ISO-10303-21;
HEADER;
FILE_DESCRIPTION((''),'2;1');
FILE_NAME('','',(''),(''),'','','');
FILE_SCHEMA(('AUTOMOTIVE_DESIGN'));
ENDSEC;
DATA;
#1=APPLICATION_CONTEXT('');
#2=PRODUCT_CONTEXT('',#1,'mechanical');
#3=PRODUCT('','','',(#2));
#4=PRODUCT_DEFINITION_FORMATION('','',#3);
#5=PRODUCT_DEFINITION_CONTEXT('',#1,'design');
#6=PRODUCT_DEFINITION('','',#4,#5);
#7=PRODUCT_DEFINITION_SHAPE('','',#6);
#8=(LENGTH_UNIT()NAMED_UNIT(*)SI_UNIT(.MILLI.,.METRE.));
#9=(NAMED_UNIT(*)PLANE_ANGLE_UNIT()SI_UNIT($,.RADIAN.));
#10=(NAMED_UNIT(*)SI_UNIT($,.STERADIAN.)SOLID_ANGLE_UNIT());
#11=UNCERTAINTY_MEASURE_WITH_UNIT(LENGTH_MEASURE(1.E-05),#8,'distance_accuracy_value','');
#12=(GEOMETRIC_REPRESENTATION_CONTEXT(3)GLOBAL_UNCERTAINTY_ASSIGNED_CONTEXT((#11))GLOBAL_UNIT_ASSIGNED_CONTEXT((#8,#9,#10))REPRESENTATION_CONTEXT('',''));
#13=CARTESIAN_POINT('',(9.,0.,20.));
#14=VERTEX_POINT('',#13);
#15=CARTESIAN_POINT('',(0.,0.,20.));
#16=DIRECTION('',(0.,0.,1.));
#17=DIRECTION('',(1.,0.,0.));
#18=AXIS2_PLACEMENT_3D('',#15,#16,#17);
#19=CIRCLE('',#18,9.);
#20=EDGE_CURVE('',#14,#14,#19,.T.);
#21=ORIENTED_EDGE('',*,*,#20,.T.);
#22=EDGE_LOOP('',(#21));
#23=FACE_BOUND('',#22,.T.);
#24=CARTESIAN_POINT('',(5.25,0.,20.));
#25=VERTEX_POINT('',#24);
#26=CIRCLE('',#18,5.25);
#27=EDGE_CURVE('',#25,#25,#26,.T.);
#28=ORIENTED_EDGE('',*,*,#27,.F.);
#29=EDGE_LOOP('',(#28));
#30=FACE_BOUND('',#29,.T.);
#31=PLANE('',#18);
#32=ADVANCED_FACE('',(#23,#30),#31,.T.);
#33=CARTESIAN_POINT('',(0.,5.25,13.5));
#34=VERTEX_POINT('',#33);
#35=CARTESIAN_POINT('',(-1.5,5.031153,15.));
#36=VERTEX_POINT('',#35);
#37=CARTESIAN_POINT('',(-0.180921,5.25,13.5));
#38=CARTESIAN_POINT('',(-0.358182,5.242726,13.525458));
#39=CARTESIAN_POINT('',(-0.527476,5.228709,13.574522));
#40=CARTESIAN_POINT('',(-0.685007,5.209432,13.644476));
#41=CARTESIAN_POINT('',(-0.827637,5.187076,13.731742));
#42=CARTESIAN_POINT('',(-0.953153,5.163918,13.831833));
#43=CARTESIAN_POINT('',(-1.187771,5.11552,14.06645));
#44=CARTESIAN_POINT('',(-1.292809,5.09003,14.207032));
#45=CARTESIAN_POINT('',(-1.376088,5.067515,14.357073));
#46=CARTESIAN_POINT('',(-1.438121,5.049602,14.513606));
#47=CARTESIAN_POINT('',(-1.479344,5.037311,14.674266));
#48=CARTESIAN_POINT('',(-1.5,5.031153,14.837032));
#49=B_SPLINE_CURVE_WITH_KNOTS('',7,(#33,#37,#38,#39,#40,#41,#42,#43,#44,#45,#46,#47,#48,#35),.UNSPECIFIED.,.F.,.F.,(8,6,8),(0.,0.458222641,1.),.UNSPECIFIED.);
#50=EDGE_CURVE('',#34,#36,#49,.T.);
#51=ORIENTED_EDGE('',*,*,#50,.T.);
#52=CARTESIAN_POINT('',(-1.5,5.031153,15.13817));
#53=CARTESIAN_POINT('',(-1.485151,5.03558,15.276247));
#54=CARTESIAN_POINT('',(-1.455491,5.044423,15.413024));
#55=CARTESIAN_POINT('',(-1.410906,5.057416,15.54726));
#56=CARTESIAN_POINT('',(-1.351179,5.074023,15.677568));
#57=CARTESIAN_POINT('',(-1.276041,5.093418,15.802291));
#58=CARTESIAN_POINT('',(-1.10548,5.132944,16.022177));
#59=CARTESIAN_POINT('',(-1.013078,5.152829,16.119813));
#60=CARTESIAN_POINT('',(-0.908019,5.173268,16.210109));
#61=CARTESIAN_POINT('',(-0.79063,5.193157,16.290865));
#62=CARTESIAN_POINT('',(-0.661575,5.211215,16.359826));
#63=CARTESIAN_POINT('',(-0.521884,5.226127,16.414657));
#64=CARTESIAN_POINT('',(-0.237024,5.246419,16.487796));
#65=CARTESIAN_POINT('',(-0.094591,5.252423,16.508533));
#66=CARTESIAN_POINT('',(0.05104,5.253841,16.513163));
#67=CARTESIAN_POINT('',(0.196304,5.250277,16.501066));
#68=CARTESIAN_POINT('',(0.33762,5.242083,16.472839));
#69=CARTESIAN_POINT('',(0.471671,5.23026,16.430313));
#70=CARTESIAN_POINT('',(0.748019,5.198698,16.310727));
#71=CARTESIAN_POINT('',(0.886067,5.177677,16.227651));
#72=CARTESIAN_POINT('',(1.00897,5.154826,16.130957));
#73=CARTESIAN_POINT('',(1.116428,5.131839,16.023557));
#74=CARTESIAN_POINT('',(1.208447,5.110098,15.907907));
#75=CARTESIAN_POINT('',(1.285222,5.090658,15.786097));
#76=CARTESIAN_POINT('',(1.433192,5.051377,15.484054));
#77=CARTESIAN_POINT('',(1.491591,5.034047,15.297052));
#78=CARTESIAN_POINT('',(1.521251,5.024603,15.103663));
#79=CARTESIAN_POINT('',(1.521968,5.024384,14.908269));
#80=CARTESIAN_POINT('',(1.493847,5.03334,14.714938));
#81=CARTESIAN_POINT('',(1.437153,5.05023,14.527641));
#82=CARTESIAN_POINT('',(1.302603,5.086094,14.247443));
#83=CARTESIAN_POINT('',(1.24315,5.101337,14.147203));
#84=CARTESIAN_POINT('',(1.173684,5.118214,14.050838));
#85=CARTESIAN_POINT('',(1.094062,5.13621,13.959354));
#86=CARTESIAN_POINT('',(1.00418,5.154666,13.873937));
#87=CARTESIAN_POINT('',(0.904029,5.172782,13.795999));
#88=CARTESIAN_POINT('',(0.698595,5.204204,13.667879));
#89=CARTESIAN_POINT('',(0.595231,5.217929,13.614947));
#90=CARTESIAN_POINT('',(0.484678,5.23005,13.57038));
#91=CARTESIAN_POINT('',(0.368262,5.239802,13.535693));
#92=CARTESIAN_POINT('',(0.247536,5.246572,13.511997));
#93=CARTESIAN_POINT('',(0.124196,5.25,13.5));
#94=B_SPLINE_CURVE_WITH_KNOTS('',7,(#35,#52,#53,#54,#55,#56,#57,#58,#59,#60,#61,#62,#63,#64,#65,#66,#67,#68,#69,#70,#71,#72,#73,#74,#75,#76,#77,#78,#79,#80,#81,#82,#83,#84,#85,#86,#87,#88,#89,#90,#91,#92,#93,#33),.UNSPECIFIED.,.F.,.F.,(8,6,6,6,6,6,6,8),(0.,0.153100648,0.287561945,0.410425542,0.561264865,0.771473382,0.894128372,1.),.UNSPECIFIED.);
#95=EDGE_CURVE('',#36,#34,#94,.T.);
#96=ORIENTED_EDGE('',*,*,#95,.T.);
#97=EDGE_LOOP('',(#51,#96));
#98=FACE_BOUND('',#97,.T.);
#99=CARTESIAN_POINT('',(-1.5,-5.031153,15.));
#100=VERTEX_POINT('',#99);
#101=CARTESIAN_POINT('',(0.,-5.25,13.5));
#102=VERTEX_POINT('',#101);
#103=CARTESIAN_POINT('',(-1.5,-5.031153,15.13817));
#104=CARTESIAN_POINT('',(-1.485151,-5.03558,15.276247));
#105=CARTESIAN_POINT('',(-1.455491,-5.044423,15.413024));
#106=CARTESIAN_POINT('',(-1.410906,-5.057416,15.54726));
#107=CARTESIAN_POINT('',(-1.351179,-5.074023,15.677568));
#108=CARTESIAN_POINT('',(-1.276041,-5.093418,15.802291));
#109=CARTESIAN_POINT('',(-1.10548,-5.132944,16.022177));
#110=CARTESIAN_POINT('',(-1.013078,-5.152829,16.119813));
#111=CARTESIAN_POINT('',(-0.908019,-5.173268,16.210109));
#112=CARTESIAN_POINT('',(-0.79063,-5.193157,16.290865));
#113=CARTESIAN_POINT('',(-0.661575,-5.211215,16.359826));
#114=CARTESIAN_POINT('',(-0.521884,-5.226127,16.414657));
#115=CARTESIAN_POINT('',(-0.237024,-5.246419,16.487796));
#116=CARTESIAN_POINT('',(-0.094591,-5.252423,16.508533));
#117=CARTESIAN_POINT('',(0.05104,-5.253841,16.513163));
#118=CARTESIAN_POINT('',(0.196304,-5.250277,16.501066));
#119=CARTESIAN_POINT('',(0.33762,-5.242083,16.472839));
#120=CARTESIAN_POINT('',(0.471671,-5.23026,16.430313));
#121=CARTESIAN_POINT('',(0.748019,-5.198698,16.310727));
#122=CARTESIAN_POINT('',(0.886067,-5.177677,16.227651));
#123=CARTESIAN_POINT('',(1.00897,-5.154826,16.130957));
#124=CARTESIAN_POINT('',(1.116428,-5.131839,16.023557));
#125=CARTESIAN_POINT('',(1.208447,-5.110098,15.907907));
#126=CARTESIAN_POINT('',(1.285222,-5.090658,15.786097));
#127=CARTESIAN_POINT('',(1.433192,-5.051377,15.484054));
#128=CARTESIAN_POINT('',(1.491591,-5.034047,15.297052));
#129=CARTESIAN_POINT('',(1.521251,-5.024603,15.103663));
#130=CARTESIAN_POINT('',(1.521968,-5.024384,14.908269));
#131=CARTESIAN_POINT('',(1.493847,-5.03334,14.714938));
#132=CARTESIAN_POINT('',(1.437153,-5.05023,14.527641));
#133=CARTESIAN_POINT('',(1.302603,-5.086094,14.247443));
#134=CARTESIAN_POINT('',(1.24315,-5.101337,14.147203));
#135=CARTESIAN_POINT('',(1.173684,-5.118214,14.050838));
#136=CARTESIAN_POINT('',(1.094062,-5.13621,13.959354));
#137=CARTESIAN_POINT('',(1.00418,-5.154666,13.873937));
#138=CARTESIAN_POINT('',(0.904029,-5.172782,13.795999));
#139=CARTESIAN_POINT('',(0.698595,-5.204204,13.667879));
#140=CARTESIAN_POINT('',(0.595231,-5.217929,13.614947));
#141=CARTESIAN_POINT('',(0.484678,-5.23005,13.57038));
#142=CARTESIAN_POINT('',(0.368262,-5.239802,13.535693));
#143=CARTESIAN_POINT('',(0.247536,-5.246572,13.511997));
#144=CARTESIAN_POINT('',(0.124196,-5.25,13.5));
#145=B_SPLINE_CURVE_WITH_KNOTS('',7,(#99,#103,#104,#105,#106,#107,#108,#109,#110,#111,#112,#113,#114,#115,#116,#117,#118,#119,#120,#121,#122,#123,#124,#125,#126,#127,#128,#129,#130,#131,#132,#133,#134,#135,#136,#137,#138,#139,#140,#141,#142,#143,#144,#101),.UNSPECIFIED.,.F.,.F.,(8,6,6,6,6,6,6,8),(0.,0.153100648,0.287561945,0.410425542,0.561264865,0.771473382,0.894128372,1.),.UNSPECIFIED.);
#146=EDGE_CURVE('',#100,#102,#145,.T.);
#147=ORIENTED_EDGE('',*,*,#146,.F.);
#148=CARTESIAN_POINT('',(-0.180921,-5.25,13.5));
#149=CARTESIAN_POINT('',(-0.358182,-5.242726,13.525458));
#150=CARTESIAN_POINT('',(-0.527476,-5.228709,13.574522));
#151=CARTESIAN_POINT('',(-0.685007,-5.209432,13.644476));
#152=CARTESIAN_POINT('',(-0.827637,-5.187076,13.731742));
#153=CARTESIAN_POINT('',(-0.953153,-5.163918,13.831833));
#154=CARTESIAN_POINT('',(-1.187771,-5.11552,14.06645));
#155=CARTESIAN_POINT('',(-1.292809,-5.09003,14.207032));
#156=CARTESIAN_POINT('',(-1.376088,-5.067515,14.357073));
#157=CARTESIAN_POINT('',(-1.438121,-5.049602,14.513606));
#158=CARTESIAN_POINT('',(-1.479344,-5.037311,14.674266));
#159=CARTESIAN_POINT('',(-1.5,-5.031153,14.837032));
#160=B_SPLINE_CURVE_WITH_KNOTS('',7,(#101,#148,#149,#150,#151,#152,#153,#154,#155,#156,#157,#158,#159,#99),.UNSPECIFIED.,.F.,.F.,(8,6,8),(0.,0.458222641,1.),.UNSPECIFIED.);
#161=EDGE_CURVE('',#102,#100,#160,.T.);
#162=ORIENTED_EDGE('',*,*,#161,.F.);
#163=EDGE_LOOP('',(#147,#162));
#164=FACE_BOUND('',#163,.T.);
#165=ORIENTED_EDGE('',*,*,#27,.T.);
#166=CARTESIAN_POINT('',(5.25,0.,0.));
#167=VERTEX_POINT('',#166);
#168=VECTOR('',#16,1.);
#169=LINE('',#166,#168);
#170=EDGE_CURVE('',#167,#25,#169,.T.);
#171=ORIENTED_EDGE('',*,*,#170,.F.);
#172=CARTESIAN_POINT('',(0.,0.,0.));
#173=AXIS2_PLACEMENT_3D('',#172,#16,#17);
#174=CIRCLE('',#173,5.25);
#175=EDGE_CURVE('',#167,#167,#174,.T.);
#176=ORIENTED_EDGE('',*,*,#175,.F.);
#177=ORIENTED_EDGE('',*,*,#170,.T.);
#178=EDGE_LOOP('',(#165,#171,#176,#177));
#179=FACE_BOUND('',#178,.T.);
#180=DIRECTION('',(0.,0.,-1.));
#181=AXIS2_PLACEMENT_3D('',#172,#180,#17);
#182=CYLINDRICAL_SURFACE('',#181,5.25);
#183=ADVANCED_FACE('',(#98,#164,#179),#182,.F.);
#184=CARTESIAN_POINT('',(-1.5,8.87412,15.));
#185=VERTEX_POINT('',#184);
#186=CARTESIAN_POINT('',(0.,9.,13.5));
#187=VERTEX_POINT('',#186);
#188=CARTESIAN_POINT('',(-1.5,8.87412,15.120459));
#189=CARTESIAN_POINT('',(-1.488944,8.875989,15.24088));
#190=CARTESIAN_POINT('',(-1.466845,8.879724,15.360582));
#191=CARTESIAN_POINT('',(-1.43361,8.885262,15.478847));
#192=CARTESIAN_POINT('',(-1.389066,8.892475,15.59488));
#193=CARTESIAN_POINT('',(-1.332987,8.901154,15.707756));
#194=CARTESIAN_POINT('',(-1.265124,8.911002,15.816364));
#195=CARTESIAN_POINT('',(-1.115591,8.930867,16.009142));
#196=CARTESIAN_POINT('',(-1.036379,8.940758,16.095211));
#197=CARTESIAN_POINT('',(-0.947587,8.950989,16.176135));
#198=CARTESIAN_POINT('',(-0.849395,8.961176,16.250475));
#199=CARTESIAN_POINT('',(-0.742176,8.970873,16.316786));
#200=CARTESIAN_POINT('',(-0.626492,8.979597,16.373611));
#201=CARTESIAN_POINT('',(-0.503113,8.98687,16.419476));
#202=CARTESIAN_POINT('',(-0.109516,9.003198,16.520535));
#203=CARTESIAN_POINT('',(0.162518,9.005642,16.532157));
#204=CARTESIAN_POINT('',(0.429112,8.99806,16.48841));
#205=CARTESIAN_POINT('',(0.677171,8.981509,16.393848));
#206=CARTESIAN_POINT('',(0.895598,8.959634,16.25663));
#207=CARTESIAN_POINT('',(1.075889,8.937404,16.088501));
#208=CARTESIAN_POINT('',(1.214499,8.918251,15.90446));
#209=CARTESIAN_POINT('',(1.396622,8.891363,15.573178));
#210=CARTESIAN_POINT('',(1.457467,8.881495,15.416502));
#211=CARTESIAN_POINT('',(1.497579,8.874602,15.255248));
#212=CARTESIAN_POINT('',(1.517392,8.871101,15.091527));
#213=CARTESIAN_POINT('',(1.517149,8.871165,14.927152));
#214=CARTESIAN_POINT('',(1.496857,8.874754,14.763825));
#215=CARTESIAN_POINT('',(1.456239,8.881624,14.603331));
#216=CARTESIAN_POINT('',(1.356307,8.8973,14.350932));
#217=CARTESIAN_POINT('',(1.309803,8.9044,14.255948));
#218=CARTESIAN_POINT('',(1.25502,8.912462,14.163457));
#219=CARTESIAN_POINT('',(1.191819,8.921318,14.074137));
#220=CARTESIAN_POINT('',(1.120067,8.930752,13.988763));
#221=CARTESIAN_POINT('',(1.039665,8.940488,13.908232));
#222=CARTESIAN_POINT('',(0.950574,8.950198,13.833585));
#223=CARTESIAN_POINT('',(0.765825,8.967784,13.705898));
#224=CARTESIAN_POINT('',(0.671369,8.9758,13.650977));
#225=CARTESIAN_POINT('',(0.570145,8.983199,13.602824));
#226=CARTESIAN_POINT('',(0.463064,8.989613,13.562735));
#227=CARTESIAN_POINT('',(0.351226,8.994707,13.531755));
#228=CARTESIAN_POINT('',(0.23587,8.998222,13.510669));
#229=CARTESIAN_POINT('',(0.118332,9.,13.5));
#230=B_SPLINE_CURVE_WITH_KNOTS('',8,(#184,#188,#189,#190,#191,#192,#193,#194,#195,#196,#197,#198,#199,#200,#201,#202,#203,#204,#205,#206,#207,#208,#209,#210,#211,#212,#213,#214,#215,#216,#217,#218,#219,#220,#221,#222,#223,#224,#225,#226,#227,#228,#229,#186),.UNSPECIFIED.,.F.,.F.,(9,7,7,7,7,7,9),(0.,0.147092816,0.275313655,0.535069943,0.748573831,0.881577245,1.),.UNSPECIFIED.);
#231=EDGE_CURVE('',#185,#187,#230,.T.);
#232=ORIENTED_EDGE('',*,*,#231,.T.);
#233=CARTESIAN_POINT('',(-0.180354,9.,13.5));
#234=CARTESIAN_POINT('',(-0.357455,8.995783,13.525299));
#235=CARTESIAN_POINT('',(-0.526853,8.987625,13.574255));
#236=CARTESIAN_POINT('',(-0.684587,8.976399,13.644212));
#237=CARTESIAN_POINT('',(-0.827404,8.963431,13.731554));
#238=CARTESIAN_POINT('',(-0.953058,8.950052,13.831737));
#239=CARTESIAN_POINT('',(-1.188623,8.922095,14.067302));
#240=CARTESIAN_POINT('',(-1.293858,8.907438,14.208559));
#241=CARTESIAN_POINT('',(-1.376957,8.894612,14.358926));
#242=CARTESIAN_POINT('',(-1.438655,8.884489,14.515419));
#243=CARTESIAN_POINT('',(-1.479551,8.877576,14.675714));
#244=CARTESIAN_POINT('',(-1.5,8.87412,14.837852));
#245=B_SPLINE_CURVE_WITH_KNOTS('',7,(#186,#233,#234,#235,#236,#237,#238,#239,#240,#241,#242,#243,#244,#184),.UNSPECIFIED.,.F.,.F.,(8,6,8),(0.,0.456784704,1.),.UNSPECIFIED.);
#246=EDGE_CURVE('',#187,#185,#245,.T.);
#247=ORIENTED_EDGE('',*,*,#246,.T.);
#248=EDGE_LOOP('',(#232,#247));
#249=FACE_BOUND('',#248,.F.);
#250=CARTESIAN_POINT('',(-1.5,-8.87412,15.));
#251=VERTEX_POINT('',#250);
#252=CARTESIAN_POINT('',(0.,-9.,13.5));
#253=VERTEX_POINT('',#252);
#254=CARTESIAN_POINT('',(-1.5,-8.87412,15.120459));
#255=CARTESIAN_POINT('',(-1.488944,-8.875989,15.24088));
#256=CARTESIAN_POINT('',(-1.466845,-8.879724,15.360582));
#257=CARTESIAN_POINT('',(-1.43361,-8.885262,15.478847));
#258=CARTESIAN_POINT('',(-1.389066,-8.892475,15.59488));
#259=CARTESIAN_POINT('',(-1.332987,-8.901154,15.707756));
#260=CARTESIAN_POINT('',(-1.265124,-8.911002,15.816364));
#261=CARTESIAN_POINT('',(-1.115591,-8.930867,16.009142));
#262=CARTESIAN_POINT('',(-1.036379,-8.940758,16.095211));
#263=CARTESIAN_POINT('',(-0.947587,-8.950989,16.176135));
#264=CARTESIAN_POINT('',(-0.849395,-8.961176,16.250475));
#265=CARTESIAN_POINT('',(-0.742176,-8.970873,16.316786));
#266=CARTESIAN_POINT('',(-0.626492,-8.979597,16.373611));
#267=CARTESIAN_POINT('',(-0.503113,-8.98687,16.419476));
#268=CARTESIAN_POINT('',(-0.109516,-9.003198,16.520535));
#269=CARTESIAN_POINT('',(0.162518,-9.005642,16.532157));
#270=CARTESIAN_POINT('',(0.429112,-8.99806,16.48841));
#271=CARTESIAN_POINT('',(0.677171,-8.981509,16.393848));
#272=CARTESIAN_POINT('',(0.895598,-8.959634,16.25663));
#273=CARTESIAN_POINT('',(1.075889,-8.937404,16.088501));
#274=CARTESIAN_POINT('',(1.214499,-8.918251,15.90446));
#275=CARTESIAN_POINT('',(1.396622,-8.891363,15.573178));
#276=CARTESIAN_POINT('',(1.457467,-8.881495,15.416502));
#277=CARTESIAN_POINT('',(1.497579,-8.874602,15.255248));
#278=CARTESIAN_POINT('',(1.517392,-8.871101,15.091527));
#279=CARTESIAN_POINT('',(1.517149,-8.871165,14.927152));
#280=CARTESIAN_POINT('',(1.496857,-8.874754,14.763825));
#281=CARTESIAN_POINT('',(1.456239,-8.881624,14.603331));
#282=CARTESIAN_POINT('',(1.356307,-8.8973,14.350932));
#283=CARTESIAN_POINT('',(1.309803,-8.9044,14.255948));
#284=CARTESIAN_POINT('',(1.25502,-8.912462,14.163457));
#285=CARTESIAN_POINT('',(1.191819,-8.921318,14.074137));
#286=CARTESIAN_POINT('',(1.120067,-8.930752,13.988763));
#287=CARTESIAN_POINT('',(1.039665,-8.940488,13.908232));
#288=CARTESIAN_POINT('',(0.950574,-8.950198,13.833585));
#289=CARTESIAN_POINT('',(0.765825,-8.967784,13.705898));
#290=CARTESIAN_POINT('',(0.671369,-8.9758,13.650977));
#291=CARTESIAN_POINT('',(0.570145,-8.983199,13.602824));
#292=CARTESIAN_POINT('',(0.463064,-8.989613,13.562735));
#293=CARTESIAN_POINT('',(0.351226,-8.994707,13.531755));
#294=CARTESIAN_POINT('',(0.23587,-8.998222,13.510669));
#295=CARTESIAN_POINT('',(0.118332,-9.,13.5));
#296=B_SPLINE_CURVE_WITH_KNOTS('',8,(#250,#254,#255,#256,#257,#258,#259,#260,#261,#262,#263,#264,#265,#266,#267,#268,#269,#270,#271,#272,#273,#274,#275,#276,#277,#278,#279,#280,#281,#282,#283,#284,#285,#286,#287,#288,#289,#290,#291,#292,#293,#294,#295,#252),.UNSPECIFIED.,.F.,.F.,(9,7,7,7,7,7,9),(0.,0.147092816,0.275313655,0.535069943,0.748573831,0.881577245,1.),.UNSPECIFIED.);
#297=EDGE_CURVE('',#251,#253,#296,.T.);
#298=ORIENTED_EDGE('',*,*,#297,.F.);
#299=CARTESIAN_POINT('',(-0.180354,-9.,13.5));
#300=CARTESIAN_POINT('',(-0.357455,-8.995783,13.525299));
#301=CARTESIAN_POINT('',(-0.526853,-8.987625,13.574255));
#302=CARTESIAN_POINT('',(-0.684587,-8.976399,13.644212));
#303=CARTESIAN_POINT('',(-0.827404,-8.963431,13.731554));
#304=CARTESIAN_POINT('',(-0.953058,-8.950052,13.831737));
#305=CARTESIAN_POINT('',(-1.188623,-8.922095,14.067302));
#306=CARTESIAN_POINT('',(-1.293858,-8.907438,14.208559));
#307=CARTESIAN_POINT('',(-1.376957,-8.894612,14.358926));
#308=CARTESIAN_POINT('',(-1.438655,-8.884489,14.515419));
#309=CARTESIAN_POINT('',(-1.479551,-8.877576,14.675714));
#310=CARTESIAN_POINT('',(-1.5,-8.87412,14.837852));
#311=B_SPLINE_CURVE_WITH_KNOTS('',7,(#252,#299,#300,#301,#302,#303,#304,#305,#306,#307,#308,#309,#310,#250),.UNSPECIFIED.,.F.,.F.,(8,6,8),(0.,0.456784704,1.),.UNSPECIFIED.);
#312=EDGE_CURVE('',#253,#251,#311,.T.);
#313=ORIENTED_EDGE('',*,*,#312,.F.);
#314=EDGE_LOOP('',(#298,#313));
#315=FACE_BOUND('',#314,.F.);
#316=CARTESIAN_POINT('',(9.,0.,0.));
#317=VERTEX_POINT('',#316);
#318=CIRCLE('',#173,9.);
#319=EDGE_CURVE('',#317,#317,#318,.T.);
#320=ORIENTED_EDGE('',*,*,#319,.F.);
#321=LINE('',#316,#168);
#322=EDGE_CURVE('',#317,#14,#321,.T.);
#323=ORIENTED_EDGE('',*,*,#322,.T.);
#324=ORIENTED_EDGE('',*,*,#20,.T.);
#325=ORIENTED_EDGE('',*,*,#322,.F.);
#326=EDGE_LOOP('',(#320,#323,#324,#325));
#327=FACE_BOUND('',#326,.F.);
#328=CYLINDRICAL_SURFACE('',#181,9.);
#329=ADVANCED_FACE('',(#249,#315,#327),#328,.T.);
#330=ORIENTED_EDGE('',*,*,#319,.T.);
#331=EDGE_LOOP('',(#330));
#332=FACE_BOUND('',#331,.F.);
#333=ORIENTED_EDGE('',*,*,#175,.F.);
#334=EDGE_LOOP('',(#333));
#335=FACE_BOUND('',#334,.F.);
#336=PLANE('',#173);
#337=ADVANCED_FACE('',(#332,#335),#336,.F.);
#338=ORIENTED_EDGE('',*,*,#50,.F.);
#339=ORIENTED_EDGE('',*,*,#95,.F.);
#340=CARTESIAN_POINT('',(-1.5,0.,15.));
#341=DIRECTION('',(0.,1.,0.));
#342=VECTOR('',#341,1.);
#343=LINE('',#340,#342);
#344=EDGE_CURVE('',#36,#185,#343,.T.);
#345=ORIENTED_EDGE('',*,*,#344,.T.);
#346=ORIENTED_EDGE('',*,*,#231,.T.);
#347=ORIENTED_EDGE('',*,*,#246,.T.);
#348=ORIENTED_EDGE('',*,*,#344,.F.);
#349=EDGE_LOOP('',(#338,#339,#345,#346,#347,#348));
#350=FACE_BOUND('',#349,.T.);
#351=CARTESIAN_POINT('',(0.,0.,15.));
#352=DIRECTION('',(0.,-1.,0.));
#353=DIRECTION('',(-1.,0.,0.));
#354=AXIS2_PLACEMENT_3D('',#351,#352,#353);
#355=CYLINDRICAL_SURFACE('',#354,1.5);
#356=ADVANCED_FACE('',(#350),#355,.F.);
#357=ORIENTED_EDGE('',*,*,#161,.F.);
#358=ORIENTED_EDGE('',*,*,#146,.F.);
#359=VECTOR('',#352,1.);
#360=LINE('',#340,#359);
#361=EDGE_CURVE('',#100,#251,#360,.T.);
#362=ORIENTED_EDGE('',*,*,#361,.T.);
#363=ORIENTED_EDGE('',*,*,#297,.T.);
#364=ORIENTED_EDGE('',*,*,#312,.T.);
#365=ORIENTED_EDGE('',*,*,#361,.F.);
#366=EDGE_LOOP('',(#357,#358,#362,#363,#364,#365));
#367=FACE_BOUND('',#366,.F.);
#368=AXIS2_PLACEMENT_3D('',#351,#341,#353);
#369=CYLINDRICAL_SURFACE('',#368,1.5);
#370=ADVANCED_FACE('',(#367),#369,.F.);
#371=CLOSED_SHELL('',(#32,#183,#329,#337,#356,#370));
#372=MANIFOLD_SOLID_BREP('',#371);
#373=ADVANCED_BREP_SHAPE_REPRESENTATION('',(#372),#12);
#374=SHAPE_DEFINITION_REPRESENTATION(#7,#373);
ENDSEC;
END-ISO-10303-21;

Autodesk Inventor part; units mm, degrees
ref_plane "YZ Plane" through (0, 0, 0) normal (1, 0, 0) x (0, 1, 0)
ref_plane "XZ Plane" through (0, 0, 0) normal (0, 1, 0) x (-1, 0, 0)
ref_plane "XY Plane" through (0, 0, 0) normal (0, 0, 1) x (1, 0, 0)
sketch "Sketch1" plane through (0, 0, 0) normal (0, 0, 1) x (1, 0, 0)
  circle A0 centre (0, 0) radius 9
  circle A1 centre (0, 0) radius 5.25
  dimension "d0" = 18
  dimension "d1" = 10.5
extrude "Extrusion1" add sketch "Sketch1" along normal blind 20
sketch "Sketch2" plane through (0, 0, 0) normal (0, 1, 0) x (-1, 0, 0)
  line L0 (0, 0) -> (0, 15)
  circle A0 centre (0, 15) radius 1.5
  dimension "d4" = 15
  dimension "d5" = 3
extrude "Extrusion2" cut sketch "Sketch2" along normal through all both and the other way through all
properties part number "end_effector_connector"
